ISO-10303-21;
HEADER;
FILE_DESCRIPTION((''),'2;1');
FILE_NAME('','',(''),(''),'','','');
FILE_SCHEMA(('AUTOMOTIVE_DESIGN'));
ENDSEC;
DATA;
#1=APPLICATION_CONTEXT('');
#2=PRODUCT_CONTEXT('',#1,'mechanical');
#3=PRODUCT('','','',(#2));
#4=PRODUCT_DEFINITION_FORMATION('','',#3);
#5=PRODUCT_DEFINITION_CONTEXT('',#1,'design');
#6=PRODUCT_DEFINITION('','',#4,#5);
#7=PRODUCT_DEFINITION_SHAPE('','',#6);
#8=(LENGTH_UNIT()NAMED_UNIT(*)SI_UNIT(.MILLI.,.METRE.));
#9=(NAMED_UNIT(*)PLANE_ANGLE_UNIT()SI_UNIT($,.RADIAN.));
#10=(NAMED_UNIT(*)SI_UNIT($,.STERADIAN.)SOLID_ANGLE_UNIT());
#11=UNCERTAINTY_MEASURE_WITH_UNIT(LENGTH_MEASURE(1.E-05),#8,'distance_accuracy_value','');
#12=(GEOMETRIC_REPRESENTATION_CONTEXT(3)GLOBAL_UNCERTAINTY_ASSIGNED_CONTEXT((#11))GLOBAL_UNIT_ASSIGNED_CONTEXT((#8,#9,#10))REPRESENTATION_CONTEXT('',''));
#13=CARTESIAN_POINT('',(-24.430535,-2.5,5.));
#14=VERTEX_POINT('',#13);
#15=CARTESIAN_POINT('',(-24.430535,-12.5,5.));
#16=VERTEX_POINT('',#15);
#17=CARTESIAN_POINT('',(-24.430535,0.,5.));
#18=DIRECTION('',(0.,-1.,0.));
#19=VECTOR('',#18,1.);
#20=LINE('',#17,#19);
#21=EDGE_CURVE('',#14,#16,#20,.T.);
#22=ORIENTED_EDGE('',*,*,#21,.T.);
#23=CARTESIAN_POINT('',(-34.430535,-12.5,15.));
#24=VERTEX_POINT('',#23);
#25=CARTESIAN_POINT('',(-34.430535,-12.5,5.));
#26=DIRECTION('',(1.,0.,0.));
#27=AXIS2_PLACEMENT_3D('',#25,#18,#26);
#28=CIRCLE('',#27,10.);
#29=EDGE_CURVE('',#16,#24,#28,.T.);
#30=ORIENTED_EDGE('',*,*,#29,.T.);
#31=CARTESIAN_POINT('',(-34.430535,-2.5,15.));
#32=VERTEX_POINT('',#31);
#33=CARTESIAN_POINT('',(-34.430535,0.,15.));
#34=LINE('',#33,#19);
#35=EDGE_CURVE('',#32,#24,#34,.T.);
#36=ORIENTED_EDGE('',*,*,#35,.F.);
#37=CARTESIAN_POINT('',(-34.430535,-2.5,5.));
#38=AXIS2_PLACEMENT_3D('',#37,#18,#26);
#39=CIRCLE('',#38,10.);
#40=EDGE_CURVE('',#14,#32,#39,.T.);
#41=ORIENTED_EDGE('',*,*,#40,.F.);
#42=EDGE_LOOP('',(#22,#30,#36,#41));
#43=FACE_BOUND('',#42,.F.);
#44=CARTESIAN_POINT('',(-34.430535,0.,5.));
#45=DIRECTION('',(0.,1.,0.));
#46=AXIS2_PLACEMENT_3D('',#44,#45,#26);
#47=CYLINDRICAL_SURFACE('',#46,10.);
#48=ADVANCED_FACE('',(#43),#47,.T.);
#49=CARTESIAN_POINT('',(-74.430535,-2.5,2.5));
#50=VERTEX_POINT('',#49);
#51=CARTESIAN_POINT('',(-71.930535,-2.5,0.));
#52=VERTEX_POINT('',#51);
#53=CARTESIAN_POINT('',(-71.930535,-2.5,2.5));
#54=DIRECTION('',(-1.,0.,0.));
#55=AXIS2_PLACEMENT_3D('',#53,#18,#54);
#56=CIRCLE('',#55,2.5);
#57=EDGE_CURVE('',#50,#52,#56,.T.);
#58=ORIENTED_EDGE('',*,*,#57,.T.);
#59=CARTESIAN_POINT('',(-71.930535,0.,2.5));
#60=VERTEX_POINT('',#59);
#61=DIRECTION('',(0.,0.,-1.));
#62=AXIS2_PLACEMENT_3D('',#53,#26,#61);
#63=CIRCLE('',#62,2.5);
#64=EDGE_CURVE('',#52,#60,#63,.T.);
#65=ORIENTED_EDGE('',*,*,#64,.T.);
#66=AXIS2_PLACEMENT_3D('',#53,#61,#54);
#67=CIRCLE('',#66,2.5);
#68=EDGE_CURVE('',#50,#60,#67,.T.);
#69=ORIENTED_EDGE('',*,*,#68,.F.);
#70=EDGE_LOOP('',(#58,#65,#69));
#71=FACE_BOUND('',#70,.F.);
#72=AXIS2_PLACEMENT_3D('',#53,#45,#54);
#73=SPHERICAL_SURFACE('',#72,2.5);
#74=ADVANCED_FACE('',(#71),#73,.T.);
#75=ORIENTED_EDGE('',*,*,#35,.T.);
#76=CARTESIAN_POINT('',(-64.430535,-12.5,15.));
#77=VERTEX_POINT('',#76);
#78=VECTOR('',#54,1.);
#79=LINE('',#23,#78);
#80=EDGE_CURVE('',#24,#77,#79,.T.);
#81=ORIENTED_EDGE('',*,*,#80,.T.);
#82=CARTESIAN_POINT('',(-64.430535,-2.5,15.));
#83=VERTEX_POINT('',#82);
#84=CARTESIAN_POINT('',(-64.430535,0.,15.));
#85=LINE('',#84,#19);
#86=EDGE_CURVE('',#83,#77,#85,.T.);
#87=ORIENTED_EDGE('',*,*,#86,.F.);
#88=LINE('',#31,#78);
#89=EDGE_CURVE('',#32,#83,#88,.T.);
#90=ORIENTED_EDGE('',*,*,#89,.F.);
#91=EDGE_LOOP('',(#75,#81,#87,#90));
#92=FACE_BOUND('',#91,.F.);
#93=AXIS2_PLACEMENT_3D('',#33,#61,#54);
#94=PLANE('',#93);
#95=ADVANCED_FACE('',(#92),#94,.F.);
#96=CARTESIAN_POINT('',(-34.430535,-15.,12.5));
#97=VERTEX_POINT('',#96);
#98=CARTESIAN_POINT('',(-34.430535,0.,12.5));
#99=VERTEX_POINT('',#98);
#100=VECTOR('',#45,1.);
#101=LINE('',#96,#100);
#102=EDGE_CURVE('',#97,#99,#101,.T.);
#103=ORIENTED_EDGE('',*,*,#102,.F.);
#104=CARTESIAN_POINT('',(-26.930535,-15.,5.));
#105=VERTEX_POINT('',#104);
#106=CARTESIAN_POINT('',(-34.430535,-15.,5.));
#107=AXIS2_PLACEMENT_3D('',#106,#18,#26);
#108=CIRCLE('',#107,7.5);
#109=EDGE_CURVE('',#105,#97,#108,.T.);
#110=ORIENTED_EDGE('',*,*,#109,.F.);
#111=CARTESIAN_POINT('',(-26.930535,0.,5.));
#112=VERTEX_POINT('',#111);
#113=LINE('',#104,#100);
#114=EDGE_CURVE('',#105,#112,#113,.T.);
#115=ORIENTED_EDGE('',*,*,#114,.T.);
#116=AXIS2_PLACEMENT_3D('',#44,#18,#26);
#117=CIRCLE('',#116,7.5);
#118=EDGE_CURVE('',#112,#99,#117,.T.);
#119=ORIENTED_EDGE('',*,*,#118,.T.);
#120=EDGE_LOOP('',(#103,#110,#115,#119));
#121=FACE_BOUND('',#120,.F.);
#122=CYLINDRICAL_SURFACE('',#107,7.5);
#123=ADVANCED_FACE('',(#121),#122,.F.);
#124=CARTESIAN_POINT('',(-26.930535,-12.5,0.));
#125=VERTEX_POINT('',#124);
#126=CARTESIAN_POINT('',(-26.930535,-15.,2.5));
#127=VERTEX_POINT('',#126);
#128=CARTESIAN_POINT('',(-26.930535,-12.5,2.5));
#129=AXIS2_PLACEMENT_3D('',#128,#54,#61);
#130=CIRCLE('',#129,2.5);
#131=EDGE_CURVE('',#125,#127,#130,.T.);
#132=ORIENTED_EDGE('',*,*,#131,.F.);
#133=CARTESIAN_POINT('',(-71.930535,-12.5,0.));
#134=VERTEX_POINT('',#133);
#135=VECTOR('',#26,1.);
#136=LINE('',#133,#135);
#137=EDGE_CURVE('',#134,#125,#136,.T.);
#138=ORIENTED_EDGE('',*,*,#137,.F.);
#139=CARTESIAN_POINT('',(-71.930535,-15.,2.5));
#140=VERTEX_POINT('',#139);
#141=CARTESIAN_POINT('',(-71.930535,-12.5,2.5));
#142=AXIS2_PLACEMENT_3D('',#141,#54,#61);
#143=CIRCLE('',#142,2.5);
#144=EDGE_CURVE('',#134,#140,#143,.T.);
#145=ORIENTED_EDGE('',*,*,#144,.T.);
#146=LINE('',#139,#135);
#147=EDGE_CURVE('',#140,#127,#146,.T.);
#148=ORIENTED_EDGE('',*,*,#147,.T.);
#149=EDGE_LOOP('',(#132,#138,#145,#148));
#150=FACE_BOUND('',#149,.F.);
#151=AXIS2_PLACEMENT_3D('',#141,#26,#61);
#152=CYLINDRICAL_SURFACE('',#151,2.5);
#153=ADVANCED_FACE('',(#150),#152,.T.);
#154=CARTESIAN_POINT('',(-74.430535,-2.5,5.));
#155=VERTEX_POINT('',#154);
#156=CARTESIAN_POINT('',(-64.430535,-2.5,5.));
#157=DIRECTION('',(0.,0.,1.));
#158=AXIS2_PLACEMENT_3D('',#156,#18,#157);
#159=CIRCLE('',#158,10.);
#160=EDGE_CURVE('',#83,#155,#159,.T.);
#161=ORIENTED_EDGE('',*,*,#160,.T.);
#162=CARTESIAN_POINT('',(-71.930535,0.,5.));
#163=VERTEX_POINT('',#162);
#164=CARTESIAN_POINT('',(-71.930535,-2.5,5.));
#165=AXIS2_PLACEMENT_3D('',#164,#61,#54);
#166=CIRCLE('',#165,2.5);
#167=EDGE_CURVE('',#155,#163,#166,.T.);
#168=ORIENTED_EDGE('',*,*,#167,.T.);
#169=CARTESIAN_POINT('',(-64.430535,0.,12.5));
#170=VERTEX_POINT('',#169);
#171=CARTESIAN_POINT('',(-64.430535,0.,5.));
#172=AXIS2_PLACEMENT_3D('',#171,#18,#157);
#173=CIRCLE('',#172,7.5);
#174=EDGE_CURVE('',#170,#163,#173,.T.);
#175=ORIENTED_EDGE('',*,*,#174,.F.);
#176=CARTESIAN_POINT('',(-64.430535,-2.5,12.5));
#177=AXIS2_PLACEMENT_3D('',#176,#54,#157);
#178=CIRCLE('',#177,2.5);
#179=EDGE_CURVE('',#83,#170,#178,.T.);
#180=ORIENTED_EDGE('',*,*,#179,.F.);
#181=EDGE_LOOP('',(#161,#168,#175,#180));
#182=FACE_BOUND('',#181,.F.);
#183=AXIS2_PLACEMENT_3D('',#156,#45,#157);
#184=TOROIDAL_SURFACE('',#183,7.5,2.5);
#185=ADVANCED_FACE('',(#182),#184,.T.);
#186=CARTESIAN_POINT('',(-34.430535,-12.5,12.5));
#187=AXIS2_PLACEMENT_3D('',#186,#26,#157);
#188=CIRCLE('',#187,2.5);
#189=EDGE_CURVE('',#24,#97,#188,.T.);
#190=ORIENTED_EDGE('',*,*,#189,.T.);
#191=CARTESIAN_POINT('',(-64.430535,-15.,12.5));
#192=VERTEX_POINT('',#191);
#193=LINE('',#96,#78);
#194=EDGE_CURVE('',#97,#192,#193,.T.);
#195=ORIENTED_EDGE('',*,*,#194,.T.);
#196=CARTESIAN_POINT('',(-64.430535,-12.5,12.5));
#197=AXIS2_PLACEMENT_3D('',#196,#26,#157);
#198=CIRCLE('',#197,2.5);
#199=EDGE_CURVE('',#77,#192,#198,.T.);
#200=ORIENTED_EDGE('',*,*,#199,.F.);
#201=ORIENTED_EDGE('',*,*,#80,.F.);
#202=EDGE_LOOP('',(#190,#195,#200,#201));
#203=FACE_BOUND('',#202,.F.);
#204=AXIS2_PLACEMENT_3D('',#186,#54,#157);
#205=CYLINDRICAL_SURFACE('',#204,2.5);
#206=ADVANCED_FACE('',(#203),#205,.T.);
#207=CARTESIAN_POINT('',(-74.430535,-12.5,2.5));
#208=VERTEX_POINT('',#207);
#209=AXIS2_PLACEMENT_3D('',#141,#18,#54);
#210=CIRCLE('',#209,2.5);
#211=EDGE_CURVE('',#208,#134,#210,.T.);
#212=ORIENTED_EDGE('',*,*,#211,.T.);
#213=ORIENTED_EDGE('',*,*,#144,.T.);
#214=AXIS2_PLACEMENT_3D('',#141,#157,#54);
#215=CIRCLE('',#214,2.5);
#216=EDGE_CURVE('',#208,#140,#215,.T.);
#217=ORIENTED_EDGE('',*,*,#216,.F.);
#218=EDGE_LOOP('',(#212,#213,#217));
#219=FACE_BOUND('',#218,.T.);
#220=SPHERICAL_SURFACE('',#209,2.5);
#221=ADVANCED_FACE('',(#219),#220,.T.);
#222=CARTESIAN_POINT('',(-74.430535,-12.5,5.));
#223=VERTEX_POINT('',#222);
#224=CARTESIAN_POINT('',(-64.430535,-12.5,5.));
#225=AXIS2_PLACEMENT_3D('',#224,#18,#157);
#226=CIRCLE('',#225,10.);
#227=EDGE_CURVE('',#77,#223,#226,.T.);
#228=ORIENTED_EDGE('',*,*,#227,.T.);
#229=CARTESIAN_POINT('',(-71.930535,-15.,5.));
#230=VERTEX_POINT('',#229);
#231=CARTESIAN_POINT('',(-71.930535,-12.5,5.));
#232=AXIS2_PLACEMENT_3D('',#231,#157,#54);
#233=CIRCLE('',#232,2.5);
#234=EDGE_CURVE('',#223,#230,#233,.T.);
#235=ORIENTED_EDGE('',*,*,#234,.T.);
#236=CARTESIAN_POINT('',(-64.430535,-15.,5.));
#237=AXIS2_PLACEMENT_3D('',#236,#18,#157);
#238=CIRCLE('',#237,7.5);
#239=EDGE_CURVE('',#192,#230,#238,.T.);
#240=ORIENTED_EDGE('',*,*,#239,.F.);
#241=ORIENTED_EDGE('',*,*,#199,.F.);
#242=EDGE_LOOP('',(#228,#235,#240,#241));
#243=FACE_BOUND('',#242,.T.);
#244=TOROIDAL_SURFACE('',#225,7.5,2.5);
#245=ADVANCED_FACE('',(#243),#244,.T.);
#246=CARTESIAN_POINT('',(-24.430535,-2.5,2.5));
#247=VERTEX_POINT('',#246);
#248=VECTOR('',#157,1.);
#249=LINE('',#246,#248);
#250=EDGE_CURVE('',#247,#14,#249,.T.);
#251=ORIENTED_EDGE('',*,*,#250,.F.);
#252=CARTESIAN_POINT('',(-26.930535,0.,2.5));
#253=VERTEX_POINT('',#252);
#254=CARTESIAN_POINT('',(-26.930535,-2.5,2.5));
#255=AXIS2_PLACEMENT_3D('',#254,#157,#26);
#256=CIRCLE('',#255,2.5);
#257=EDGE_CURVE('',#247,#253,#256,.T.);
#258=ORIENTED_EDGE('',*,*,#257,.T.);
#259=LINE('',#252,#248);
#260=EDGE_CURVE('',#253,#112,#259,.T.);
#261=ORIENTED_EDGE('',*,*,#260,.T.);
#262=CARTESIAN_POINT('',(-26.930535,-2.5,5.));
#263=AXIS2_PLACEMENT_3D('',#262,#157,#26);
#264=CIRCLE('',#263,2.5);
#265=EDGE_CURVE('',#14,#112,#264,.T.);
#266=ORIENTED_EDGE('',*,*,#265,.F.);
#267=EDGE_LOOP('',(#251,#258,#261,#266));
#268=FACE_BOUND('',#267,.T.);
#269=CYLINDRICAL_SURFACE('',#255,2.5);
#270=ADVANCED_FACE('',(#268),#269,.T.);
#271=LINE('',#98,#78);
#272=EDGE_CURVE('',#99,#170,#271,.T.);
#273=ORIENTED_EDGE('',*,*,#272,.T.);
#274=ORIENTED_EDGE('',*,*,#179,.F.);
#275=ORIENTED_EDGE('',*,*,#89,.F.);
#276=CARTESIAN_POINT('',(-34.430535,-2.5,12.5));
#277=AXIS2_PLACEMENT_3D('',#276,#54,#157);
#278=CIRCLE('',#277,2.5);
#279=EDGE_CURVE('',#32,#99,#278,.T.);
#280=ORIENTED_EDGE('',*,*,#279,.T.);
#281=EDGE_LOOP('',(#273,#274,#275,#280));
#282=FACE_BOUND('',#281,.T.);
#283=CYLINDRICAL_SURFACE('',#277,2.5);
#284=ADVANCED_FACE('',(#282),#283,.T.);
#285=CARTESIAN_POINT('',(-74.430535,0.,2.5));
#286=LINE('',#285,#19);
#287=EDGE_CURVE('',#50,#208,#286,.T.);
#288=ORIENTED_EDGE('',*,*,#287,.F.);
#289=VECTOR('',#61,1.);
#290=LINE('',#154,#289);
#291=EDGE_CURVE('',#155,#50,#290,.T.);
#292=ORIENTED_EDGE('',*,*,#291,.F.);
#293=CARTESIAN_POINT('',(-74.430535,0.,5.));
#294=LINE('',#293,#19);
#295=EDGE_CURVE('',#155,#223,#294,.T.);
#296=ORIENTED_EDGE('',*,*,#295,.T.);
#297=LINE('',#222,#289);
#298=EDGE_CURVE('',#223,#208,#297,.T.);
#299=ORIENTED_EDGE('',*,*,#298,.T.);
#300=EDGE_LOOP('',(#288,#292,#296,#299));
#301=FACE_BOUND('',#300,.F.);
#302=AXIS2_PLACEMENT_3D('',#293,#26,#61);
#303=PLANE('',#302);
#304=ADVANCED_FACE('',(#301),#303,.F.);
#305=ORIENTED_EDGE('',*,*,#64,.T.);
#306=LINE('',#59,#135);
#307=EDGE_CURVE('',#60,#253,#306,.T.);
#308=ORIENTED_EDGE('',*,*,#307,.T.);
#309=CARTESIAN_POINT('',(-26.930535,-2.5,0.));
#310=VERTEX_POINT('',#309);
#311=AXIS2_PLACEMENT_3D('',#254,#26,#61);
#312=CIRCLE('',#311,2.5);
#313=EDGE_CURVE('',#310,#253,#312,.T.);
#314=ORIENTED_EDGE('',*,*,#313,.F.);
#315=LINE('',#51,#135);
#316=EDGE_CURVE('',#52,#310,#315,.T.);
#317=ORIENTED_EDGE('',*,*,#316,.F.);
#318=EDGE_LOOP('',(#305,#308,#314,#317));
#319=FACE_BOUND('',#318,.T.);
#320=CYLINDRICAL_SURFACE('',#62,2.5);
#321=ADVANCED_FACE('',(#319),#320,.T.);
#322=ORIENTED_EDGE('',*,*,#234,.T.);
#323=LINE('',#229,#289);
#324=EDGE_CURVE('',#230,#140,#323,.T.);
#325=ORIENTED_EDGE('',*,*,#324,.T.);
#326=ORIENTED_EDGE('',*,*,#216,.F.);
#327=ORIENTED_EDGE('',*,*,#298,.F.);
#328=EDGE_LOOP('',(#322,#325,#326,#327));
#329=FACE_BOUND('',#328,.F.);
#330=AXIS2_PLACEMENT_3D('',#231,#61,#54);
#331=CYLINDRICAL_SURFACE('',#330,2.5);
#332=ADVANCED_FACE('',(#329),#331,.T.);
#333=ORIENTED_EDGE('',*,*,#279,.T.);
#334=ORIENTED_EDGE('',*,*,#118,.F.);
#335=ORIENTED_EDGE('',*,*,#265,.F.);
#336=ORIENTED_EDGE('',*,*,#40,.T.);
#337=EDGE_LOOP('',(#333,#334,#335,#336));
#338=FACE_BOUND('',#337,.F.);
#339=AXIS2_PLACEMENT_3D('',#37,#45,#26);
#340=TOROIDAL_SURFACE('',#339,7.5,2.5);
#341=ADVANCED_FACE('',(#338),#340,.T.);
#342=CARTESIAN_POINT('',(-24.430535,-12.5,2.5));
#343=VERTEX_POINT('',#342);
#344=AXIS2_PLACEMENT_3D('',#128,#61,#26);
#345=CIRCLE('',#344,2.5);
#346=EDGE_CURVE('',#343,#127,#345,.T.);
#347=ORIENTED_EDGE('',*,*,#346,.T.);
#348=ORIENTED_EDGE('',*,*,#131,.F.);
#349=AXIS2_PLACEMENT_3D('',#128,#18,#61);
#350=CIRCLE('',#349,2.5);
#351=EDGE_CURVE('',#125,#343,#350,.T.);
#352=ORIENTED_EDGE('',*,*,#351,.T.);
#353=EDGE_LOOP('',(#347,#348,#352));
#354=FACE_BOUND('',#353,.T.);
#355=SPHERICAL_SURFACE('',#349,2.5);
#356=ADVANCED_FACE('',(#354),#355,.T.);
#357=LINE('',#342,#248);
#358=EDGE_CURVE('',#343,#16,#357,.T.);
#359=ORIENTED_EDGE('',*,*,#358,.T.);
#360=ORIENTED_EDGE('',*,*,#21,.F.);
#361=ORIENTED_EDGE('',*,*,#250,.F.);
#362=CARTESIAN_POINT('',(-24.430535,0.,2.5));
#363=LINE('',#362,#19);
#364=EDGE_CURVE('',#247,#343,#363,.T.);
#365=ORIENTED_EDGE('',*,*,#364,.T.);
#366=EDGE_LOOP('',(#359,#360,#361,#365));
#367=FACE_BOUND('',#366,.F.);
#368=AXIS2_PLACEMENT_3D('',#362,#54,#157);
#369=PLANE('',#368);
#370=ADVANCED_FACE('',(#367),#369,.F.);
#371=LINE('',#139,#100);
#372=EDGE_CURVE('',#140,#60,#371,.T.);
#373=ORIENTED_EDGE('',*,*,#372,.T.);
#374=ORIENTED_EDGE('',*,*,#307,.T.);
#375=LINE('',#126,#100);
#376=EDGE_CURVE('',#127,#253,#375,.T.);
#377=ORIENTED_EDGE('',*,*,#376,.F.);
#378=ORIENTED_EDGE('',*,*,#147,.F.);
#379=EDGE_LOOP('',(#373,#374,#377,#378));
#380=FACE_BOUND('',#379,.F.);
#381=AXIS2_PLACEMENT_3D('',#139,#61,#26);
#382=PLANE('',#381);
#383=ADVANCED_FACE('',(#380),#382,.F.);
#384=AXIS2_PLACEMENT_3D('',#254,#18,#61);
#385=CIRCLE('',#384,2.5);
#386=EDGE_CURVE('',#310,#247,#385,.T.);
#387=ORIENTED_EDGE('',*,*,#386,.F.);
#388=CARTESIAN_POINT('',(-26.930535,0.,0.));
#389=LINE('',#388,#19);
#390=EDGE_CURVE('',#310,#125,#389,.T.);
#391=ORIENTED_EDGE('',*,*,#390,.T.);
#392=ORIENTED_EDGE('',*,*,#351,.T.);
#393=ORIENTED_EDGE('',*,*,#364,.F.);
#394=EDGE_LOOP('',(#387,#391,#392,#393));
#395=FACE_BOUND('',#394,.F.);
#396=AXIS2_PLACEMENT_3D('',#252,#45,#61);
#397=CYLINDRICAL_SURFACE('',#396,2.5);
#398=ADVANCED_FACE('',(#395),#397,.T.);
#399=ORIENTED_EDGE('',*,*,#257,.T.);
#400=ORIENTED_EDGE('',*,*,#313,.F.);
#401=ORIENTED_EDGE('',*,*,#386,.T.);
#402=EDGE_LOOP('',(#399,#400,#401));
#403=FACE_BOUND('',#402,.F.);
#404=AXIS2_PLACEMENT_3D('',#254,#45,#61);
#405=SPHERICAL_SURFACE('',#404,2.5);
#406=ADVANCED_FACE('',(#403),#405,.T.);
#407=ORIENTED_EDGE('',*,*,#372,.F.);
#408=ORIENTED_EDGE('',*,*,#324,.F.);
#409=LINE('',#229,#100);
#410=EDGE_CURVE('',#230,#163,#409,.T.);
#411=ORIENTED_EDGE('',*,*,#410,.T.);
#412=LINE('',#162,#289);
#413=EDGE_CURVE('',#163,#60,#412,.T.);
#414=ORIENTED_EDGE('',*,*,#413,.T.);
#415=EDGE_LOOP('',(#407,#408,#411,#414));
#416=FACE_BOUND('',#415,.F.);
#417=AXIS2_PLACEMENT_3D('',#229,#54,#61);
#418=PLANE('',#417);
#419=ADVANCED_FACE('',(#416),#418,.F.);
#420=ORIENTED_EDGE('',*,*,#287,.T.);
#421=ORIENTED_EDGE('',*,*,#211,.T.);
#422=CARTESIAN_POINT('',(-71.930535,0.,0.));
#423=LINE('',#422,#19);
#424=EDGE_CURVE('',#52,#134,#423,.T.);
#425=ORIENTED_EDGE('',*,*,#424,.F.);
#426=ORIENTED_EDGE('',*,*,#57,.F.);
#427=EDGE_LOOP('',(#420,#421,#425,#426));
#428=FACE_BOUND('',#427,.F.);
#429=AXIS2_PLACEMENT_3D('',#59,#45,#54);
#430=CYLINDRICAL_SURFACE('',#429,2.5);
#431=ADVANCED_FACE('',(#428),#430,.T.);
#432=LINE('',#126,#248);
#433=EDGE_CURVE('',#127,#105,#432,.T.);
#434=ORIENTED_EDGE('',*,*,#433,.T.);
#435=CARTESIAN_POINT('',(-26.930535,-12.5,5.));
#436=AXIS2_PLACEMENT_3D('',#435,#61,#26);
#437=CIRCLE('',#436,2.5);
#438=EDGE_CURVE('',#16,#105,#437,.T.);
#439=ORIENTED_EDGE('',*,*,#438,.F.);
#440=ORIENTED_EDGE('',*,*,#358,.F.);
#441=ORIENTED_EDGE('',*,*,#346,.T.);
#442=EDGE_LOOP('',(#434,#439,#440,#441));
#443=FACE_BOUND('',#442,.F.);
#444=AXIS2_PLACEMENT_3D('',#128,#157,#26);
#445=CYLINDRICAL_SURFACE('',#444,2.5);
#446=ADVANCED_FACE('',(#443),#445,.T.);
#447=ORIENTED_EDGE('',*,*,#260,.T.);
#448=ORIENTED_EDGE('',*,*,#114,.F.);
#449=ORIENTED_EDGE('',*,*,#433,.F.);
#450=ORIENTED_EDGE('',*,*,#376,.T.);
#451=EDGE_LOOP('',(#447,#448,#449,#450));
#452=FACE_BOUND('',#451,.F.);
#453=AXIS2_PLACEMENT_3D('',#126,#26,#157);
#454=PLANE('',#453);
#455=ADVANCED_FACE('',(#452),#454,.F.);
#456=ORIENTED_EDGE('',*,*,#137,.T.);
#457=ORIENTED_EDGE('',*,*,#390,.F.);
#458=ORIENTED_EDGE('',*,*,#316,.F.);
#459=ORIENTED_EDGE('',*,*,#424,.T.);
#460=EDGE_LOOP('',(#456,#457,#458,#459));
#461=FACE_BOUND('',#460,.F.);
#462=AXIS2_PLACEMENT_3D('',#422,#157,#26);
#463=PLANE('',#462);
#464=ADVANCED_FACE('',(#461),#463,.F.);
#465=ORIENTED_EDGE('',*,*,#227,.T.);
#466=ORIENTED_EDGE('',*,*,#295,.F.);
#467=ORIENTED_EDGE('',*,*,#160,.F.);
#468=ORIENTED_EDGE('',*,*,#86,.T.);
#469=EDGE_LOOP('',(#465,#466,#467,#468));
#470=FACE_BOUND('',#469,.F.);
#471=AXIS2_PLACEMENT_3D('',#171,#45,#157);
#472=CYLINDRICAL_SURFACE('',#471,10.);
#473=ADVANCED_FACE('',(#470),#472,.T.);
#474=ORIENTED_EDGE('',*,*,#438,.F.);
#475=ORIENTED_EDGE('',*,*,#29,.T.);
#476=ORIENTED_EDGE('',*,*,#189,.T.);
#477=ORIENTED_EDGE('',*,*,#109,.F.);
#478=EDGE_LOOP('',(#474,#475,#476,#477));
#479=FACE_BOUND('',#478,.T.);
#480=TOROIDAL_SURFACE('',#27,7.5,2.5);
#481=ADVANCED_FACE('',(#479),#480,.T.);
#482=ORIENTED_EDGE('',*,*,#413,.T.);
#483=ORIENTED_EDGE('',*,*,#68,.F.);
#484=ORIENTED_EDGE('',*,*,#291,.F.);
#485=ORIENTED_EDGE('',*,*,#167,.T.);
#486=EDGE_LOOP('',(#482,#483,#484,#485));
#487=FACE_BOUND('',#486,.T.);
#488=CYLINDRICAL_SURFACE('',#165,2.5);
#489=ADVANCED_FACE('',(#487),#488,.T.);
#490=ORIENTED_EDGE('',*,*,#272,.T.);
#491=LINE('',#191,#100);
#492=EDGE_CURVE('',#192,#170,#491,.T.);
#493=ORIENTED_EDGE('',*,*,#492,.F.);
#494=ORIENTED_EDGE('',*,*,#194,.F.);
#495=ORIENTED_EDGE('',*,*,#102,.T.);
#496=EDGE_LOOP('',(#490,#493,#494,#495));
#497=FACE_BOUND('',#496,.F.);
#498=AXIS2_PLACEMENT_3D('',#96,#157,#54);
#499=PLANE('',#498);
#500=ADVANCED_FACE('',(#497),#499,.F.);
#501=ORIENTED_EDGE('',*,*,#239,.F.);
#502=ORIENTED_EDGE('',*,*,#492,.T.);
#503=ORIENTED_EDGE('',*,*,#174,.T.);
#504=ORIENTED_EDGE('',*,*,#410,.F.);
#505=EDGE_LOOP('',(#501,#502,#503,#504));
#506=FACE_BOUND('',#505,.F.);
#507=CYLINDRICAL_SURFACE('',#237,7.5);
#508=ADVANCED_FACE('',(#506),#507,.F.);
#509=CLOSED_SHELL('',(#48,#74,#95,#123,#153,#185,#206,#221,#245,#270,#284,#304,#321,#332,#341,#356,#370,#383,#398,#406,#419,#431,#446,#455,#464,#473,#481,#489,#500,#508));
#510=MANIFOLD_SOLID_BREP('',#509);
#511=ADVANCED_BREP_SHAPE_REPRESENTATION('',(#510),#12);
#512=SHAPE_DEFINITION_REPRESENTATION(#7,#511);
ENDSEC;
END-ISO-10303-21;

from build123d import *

# Parameters (mm, degrees)
F1_DEPTH = 15
F2_R     = 2.5
F4_DEPTH = 15.001


with BuildPart() as f1:
    # F0 (on Front) → F1 (new body)
    with BuildSketch(Plane.XZ):
        with BuildLine():
            Line((-34.4305347418, 15), (-64.4305347418, 15))
            ThreePointArc((-64.4305347418, 15), (-71.5016025537, 12.0710678119), (-74.4305347418, 5))
            Line((-74.4305347418, 5), (-24.4305347418, 5))
            ThreePointArc((-24.4305347418, 5), (-27.3594669299, 12.0710678119), (-34.4305347418, 15))
        make_face()
        with BuildLine():
            Line((-24.4305347418, 5), (-74.4305347418, 5))
            Line((-74.4305347418, 5), (-74.4305347418, 2.5))
            ThreePointArc((-74.4305347418, 2.5), (-73.6983016948, 0.732233047), (-71.9305347418, 0))
            Line((-71.9305347418, 0), (-26.9305347418, 0))
            ThreePointArc((-26.9305347418, 0), (-25.1627677888, 0.732233047), (-24.4305347418, 2.5))
            Line((-24.4305347418, 2.5), (-24.4305347418, 5))
        make_face()
    extrude(amount=F1_DEPTH)

    # F2
    f2_edges = [f1.edges().sort_by_distance(p)[0] for p in [
        (-64.430535, -7.5, 15),
        (-74.430535, -7.5, 5),
        (-71.501603, 0, 12.071068),
        (-71.501603, -15, 12.071068),
    ]]
    fillet(f2_edges, radius=F2_R)

    # F3 (on face) → F4 (cut, through all)
    with BuildSketch(Plane.XZ.offset(15)):
        with BuildLine():
            Line((-34.4305347418, 12.5), (-64.4305347418, 12.5))
            ThreePointArc((-64.4305347418, 12.5), (-69.7338356007, 10.3033008589), (-71.9305347418, 5))
            Line((-71.9305347418, 5), (-71.9305347418, 2.5))
            Line((-71.9305347418, 2.5), (-26.9305347418, 2.5))
            Line((-26.9305347418, 2.5), (-26.9305347418, 5))
            ThreePointArc((-26.9305347418, 5), (-29.1272338829, 10.3033008589), (-34.4305347418, 12.5))
        make_face()
    extrude(amount=-F4_DEPTH, mode=Mode.SUBTRACT)


solid = f1.part
